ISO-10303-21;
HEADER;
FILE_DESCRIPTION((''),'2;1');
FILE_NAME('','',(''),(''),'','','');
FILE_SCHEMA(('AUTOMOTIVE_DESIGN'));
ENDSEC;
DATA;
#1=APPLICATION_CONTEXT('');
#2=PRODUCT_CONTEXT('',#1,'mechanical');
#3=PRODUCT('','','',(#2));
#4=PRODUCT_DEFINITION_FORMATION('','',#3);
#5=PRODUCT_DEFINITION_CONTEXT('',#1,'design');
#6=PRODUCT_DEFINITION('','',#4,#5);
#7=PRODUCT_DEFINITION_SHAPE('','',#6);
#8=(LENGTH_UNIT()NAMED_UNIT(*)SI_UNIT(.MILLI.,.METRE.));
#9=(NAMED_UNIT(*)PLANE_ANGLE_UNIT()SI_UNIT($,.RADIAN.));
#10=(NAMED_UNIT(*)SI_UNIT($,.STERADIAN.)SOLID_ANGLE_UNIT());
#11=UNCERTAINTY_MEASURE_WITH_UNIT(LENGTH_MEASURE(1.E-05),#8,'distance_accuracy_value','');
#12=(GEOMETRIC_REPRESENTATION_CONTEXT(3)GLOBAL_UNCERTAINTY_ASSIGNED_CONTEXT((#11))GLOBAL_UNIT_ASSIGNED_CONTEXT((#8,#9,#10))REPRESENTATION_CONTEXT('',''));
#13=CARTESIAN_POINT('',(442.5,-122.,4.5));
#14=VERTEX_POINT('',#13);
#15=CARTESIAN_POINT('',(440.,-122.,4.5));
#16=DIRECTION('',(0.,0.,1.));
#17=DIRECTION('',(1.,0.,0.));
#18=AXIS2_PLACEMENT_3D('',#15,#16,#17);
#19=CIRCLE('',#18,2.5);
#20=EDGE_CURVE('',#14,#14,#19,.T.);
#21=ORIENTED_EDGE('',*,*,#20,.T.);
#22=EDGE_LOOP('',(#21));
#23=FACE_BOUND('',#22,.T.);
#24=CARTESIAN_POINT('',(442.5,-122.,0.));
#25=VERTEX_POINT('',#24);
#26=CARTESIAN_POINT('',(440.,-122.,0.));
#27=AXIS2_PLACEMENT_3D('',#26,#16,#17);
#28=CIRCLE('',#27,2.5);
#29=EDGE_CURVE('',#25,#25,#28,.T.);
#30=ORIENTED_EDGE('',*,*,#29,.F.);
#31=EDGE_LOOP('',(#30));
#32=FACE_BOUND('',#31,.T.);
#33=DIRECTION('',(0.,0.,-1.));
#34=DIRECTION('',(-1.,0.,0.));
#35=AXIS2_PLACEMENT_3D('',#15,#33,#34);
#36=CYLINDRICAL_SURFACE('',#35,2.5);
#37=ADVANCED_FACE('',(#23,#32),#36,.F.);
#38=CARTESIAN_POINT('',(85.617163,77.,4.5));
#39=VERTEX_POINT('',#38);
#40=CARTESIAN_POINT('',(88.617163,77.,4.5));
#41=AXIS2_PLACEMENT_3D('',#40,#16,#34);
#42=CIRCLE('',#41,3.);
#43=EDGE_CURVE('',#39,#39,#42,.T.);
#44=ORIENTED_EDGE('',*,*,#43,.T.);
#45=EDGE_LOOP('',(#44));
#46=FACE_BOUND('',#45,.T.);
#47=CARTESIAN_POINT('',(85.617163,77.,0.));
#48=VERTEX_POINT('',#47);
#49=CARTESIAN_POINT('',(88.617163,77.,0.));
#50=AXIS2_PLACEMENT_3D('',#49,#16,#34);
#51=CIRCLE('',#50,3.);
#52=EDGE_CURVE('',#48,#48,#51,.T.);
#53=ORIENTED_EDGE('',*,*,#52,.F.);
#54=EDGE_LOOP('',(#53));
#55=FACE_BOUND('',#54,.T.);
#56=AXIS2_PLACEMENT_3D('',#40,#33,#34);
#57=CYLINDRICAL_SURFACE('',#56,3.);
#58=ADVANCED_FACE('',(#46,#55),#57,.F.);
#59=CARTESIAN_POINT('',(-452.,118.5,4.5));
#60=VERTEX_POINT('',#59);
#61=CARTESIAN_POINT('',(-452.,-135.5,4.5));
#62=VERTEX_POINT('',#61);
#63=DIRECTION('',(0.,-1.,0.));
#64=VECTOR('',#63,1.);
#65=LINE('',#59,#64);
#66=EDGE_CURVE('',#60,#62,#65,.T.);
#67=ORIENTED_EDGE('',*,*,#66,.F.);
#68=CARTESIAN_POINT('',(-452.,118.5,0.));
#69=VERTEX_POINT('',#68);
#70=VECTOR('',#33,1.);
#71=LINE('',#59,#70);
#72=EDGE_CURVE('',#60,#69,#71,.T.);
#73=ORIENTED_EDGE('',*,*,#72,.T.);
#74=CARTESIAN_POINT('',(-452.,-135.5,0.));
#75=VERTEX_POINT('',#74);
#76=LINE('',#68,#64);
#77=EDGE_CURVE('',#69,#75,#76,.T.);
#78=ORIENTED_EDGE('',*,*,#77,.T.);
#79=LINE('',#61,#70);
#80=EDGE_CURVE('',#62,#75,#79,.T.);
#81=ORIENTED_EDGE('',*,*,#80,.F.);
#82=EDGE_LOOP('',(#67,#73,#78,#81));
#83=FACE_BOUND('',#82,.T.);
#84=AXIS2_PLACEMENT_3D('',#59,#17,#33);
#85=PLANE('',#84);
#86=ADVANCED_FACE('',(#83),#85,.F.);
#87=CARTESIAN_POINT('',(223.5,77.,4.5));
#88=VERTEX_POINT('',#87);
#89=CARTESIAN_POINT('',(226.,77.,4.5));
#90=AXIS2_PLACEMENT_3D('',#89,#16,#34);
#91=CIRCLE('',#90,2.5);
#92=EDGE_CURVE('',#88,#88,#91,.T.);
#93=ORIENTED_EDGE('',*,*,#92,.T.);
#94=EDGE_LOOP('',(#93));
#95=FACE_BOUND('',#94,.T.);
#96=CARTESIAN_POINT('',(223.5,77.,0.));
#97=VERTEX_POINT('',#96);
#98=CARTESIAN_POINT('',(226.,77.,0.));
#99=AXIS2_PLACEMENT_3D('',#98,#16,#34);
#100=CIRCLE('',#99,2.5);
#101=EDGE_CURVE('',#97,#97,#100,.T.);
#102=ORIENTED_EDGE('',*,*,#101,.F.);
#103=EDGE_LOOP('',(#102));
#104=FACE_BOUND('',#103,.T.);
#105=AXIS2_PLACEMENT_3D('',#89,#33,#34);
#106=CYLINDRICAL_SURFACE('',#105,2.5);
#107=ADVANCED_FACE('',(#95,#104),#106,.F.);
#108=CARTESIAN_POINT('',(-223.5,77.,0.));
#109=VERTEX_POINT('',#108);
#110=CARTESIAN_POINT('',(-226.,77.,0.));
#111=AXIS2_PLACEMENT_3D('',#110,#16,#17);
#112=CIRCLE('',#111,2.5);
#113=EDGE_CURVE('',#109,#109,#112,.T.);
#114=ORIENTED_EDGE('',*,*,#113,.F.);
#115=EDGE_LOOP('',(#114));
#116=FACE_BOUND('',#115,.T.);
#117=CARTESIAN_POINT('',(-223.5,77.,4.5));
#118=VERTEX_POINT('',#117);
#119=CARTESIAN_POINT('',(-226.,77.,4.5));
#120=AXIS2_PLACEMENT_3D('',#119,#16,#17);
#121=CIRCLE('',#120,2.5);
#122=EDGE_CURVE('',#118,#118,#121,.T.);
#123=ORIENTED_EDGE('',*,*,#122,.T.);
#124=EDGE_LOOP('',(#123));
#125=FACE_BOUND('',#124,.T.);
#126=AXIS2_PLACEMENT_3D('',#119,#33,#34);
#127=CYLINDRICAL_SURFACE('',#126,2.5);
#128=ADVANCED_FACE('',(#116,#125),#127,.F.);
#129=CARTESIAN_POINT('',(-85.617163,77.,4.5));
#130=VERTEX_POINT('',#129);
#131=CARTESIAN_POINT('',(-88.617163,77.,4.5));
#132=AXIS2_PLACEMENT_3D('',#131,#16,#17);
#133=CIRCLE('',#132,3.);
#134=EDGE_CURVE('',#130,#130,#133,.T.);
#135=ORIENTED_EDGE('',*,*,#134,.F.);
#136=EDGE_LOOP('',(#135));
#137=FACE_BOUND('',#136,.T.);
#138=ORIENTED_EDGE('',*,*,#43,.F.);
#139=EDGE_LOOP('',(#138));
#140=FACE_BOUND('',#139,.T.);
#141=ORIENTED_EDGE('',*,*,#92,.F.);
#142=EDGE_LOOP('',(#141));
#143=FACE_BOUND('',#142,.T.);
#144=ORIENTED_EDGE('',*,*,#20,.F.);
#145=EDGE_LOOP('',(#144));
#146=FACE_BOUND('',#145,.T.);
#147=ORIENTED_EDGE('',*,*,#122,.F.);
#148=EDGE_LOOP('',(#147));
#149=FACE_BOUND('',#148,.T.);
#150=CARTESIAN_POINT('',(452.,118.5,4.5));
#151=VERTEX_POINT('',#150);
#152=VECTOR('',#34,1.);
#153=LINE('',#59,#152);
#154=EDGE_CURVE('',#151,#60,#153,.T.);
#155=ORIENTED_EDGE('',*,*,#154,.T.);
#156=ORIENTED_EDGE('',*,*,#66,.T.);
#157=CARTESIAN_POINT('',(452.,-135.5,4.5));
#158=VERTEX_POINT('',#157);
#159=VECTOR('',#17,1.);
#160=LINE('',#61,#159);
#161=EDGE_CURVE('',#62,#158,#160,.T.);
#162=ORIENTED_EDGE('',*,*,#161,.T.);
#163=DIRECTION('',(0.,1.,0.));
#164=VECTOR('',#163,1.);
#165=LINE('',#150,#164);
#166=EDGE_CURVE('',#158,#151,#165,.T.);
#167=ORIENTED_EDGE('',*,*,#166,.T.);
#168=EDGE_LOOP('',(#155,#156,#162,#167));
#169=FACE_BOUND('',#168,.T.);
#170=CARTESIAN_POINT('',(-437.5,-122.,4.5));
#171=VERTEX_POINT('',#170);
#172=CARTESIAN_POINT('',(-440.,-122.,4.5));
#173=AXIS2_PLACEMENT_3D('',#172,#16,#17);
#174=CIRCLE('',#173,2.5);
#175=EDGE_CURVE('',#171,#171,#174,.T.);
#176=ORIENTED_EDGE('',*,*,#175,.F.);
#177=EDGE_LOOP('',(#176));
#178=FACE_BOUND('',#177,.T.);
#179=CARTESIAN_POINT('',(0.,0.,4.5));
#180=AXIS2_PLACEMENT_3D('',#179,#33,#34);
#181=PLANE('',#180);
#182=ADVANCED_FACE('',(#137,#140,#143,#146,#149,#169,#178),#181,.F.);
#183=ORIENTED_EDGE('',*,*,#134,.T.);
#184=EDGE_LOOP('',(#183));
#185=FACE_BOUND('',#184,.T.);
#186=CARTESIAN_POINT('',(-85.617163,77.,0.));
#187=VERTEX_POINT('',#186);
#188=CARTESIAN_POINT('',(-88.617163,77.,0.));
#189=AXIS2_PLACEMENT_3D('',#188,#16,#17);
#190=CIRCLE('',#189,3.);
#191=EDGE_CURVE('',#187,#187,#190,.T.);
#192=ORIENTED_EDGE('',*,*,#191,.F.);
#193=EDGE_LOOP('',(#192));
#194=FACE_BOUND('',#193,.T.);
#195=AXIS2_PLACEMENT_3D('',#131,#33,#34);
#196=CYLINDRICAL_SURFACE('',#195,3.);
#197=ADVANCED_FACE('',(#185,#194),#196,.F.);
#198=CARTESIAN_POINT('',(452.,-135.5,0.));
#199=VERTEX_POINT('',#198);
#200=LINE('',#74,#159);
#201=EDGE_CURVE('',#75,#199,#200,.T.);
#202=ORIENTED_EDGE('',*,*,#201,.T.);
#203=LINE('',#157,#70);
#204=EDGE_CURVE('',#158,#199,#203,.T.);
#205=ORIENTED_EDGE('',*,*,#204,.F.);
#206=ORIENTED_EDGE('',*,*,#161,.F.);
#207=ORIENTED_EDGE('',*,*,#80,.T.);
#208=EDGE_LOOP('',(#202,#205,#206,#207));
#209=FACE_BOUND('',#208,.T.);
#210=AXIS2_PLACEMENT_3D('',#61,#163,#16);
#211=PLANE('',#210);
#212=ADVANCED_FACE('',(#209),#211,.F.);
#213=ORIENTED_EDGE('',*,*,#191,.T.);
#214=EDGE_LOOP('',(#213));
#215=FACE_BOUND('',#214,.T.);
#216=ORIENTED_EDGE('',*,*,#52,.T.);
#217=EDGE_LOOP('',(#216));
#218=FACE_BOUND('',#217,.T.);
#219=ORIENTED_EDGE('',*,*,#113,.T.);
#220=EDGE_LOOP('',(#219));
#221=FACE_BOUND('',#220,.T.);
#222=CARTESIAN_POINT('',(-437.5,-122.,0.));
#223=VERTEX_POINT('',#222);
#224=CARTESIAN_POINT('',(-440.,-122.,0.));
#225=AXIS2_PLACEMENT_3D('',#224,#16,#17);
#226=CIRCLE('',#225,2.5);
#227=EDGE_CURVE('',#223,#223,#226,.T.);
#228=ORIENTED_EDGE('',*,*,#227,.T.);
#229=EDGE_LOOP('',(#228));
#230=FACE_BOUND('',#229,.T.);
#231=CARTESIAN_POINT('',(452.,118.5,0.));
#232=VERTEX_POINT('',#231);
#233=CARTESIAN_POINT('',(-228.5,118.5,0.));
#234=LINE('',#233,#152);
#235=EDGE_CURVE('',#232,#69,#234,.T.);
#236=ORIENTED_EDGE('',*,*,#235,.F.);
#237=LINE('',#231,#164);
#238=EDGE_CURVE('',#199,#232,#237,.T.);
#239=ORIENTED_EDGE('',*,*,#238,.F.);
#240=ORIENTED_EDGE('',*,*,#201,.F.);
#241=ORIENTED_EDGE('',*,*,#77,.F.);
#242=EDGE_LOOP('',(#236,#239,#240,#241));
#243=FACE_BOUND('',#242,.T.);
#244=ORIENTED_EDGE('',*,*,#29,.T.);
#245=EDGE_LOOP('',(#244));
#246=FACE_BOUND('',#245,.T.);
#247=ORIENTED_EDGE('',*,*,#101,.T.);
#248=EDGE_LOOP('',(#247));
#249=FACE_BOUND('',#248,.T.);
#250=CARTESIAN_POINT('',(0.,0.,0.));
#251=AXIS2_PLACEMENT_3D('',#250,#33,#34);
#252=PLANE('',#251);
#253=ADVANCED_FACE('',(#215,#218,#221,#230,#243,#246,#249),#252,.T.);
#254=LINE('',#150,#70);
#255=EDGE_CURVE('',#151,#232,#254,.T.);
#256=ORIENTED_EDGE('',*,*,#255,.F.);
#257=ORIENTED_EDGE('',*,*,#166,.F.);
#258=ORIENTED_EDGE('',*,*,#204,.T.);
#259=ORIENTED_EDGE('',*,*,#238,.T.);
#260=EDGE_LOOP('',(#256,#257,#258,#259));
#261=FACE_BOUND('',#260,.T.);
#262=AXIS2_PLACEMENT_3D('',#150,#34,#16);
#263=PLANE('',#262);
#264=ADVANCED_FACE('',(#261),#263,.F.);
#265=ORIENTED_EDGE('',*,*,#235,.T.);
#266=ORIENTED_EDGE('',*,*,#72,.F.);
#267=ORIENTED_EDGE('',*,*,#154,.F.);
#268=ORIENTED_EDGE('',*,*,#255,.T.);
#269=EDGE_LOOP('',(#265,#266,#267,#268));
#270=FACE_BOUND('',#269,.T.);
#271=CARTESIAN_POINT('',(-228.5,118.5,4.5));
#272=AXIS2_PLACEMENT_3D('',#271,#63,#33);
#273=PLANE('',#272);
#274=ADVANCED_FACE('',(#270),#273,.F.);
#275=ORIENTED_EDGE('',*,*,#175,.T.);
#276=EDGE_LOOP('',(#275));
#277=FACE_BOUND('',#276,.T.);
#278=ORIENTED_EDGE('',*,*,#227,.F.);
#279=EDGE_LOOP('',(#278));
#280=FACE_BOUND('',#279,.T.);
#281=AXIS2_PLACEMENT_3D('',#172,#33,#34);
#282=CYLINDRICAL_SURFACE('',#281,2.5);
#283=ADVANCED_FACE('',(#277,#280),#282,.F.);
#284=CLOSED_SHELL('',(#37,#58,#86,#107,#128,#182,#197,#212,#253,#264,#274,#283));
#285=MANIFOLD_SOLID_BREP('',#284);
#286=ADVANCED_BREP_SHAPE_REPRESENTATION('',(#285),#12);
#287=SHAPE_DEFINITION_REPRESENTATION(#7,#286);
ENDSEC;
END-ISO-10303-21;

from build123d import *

# Parameters (mm, degrees)
SKETCH1_R           = 2.5
SKETCH1_R_2         = 3
BOSS_EXTRUDE1_DEPTH = 4.5


with BuildPart() as part:
    # Sketch1 → Boss-Extrude1 (new body)
    with BuildSketch(Plane.XY):
        Polygon((-452, 118.5), (-452, -135.5), (452, -135.5), (452, 118.5), (228.5, 118.5), (223.5, 118.5), (2.5, 118.5), (-2.5, 118.5), (-223.5, 118.5), (-228.5, 118.5), align=None)
        with Locations((440, -122)):
            Circle(SKETCH1_R, mode=Mode.SUBTRACT)
        with Locations((-440, -122)):
            Circle(SKETCH1_R, mode=Mode.SUBTRACT)
        with Locations((-226, 77)):
            Circle(SKETCH1_R, mode=Mode.SUBTRACT)
        with Locations(Location((226, 77, 0), (0, 0, 180))):
            Circle(SKETCH1_R, mode=Mode.SUBTRACT)
        with Locations((-88.617163414, 77)):
            Circle(SKETCH1_R_2, mode=Mode.SUBTRACT)
        with Locations(Location((88.617163414, 77, 0), (0, 0, 180))):
            Circle(SKETCH1_R_2, mode=Mode.SUBTRACT)
    extrude(amount=BOSS_EXTRUDE1_DEPTH)


solid = part.part
